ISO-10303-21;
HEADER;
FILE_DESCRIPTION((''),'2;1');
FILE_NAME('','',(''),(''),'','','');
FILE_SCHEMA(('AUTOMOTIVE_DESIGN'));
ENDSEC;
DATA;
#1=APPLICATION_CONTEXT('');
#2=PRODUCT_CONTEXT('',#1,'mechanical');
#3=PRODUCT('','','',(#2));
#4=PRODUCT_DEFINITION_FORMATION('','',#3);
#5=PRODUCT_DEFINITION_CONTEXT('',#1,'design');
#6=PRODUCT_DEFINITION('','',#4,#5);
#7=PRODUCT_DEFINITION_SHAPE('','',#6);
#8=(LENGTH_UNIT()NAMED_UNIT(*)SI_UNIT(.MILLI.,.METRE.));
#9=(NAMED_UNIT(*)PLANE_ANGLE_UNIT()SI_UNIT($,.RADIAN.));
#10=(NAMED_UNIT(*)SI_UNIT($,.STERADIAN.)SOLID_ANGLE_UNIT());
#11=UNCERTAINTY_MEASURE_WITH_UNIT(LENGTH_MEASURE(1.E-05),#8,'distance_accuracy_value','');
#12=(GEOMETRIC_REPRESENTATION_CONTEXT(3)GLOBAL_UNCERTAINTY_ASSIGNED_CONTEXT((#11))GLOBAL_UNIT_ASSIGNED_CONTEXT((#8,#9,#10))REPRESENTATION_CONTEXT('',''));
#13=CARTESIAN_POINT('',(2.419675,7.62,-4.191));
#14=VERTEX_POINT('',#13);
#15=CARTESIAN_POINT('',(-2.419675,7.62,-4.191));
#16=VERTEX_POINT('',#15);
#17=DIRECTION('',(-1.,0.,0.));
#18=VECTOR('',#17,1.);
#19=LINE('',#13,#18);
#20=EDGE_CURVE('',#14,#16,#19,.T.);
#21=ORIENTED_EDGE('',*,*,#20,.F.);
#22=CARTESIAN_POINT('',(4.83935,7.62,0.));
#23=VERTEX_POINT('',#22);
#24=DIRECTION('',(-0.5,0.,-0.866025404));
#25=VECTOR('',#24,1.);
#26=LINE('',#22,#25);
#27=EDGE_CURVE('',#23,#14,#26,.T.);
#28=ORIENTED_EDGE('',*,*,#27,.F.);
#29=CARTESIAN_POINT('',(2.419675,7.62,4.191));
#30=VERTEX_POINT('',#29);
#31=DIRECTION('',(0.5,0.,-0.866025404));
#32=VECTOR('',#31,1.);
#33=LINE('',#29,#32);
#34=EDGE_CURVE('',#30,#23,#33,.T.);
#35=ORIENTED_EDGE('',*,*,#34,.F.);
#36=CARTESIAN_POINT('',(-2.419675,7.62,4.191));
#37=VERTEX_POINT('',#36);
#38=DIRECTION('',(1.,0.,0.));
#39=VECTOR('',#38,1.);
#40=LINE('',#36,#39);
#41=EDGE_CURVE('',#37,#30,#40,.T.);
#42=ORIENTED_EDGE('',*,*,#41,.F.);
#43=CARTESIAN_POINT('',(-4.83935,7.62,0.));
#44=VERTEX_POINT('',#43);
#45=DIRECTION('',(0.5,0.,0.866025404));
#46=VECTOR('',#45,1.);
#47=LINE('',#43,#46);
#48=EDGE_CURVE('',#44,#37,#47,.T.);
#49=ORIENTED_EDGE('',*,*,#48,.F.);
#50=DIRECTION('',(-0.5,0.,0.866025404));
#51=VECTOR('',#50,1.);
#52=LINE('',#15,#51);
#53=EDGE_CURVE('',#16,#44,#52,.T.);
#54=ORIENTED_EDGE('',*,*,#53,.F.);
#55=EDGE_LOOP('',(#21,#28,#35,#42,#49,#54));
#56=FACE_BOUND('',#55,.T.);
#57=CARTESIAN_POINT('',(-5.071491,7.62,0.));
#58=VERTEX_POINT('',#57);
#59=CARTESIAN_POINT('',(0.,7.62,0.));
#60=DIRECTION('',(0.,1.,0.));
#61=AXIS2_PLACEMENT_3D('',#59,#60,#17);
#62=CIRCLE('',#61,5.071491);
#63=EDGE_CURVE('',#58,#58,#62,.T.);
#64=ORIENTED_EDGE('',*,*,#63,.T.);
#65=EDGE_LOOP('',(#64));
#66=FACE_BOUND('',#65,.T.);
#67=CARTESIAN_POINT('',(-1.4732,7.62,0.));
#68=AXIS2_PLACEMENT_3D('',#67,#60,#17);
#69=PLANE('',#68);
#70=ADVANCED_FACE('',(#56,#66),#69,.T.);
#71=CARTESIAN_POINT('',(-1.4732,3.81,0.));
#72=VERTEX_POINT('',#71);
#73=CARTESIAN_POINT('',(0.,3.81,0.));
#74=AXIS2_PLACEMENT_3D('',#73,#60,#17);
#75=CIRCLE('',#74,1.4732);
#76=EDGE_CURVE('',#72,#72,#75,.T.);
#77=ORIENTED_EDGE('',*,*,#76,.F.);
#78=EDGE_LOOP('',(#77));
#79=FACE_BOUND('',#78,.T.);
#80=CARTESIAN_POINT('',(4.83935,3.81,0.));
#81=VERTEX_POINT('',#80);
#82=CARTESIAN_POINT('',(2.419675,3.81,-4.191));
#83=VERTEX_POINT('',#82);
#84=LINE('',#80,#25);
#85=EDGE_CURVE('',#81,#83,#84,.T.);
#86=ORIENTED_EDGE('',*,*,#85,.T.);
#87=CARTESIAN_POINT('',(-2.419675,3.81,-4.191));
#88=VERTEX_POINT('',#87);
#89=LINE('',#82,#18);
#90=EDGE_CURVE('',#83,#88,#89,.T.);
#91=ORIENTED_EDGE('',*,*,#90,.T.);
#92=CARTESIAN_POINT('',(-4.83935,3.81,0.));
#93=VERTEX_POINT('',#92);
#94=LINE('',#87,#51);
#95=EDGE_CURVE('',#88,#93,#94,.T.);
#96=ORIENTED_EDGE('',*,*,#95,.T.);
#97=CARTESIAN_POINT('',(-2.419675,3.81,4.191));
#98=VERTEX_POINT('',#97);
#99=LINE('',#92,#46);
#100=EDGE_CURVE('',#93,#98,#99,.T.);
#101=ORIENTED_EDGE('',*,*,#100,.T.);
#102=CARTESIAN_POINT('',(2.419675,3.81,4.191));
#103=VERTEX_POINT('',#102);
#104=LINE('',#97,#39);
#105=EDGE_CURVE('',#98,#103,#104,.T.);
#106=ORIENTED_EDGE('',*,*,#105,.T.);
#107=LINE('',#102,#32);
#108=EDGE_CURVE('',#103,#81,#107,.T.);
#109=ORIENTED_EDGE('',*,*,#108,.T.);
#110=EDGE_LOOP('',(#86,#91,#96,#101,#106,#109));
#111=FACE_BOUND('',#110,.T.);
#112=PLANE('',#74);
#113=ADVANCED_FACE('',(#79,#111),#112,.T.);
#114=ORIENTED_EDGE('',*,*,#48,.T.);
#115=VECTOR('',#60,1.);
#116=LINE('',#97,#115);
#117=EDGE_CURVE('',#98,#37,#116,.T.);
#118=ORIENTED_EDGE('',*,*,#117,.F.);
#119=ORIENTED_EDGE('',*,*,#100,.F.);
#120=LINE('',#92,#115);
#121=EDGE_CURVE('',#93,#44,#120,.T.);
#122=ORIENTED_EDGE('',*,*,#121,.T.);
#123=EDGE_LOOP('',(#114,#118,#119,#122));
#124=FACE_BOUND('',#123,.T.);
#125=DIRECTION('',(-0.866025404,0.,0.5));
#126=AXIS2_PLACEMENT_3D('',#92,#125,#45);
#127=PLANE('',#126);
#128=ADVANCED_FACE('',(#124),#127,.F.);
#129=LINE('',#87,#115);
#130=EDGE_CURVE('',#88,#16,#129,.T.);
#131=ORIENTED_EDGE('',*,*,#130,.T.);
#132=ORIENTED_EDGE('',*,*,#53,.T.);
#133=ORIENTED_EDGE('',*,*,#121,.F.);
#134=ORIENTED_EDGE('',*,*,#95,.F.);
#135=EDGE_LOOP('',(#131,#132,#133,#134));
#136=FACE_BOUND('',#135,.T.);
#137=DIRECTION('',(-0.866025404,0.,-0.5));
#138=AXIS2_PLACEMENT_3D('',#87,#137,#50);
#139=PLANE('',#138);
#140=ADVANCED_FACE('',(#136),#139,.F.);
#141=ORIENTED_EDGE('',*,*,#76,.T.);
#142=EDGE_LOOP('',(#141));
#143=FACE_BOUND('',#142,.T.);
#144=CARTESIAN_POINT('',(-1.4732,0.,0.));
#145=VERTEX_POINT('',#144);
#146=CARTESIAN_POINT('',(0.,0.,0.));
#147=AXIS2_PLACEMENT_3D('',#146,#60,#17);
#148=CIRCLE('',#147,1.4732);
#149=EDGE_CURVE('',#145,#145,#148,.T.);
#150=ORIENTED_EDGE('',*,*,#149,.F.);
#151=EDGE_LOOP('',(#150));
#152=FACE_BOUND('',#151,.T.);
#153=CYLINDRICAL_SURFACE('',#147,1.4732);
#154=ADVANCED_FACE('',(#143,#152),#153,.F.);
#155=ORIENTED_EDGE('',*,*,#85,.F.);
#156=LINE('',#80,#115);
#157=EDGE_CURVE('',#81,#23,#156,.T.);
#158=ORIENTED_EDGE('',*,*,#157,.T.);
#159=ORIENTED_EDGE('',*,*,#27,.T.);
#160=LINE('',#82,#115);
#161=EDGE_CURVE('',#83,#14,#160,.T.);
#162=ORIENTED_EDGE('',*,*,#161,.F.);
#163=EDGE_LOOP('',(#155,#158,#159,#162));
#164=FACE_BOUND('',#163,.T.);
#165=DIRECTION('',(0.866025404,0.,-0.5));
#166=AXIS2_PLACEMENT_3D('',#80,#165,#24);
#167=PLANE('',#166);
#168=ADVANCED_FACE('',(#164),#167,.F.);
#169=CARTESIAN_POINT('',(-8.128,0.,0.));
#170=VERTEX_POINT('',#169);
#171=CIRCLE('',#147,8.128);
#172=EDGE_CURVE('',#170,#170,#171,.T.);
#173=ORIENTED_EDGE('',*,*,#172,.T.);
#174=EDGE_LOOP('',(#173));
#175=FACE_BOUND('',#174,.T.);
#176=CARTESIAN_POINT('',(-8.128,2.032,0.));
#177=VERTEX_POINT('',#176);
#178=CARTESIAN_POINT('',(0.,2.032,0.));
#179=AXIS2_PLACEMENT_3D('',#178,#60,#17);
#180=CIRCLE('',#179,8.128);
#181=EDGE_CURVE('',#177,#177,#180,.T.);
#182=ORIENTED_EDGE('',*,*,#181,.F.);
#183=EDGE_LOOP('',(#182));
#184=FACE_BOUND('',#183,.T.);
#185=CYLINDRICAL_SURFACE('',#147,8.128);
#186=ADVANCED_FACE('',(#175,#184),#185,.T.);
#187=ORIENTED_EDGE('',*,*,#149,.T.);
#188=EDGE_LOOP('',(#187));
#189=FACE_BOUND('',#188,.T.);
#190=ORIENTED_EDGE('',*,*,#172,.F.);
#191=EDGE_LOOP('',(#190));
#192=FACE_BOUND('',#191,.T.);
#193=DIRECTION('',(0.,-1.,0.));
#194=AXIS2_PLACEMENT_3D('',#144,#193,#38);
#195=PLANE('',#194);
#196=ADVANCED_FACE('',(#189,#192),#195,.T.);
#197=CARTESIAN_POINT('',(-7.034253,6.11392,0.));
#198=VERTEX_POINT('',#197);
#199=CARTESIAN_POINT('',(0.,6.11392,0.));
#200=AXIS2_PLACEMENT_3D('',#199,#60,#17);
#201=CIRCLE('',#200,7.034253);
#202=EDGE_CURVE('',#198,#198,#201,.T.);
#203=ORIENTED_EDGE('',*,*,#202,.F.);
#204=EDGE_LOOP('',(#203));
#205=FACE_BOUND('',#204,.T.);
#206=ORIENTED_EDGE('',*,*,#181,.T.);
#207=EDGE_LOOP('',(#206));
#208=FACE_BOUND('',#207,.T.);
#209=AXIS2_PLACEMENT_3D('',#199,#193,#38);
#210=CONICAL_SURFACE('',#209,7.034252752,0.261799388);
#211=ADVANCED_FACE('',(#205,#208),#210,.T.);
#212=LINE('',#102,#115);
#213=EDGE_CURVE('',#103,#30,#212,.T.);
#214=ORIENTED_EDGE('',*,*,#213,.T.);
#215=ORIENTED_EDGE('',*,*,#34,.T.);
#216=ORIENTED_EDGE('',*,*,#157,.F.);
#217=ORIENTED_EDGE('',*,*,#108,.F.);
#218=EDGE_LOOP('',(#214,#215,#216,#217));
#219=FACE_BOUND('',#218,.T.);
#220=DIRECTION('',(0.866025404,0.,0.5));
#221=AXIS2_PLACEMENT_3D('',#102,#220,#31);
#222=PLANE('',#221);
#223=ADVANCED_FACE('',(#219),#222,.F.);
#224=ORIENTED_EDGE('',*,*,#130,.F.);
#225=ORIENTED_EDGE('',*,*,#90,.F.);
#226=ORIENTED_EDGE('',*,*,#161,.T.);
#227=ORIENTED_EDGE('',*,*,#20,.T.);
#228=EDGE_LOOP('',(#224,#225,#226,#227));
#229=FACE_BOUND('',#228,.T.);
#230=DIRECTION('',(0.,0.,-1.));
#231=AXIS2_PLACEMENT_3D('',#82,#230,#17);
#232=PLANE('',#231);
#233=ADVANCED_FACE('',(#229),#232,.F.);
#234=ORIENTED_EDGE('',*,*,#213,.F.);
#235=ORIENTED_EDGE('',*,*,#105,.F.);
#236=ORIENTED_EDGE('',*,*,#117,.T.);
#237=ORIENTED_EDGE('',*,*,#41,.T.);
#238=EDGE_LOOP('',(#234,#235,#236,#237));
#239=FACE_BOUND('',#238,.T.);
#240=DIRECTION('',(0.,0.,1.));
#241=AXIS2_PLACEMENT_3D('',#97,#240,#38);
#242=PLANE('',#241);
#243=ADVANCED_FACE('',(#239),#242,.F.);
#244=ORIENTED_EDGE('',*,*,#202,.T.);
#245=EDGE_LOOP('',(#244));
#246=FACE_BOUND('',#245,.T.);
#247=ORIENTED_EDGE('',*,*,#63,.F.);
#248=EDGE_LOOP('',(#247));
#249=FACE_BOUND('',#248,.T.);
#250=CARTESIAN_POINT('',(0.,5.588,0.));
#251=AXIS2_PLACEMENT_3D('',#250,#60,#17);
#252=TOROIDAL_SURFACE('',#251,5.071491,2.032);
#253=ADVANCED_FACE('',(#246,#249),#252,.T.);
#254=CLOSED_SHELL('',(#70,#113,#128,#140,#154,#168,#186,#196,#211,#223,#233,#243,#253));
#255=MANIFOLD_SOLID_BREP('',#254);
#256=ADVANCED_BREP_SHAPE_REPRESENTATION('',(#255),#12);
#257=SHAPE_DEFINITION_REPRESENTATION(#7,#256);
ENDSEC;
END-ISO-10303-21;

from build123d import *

# Parameters (mm, degrees)
CUT_EXTRUDE1_DEPTH = 3.81


with BuildPart() as part:
    # Sketch1 → Revolve1 (revolve)
    with BuildSketch(Plane.XY):
        with BuildLine():
            Line((-1.4732, 0), (-8.128, 0))
            Line((-8.128, 0), (-8.128, 2.032))
            Line((-8.128, 2.032), (-7.034252752, 6.1139203))
            ThreePointArc((-7.034252752, 6.1139203), (-6.308494697, 7.200093987), (-5.071491473, 7.62))
            Line((-5.071491473, 7.62), (-1.4732, 7.62))
            Line((-1.4732, 7.62), (-1.4732, 0))
        make_face()
    revolve(axis=Axis((0, 0, 0), (0, -1, 0)))

    # Sketch2 → Cut-Extrude1 (cut)
    with BuildSketch(Plane(origin=(0, 7.62, 0), x_dir=(1, 0, 0), z_dir=(0, 1, 0))):
        Polygon((-4.839349956, 0), (-2.419674978, -4.191), (2.419674978, -4.191), (4.839349956, 0), (2.419674978, 4.191), (-2.419674978, 4.191), align=None)
    extrude(amount=-CUT_EXTRUDE1_DEPTH, mode=Mode.SUBTRACT)


solid = part.part
